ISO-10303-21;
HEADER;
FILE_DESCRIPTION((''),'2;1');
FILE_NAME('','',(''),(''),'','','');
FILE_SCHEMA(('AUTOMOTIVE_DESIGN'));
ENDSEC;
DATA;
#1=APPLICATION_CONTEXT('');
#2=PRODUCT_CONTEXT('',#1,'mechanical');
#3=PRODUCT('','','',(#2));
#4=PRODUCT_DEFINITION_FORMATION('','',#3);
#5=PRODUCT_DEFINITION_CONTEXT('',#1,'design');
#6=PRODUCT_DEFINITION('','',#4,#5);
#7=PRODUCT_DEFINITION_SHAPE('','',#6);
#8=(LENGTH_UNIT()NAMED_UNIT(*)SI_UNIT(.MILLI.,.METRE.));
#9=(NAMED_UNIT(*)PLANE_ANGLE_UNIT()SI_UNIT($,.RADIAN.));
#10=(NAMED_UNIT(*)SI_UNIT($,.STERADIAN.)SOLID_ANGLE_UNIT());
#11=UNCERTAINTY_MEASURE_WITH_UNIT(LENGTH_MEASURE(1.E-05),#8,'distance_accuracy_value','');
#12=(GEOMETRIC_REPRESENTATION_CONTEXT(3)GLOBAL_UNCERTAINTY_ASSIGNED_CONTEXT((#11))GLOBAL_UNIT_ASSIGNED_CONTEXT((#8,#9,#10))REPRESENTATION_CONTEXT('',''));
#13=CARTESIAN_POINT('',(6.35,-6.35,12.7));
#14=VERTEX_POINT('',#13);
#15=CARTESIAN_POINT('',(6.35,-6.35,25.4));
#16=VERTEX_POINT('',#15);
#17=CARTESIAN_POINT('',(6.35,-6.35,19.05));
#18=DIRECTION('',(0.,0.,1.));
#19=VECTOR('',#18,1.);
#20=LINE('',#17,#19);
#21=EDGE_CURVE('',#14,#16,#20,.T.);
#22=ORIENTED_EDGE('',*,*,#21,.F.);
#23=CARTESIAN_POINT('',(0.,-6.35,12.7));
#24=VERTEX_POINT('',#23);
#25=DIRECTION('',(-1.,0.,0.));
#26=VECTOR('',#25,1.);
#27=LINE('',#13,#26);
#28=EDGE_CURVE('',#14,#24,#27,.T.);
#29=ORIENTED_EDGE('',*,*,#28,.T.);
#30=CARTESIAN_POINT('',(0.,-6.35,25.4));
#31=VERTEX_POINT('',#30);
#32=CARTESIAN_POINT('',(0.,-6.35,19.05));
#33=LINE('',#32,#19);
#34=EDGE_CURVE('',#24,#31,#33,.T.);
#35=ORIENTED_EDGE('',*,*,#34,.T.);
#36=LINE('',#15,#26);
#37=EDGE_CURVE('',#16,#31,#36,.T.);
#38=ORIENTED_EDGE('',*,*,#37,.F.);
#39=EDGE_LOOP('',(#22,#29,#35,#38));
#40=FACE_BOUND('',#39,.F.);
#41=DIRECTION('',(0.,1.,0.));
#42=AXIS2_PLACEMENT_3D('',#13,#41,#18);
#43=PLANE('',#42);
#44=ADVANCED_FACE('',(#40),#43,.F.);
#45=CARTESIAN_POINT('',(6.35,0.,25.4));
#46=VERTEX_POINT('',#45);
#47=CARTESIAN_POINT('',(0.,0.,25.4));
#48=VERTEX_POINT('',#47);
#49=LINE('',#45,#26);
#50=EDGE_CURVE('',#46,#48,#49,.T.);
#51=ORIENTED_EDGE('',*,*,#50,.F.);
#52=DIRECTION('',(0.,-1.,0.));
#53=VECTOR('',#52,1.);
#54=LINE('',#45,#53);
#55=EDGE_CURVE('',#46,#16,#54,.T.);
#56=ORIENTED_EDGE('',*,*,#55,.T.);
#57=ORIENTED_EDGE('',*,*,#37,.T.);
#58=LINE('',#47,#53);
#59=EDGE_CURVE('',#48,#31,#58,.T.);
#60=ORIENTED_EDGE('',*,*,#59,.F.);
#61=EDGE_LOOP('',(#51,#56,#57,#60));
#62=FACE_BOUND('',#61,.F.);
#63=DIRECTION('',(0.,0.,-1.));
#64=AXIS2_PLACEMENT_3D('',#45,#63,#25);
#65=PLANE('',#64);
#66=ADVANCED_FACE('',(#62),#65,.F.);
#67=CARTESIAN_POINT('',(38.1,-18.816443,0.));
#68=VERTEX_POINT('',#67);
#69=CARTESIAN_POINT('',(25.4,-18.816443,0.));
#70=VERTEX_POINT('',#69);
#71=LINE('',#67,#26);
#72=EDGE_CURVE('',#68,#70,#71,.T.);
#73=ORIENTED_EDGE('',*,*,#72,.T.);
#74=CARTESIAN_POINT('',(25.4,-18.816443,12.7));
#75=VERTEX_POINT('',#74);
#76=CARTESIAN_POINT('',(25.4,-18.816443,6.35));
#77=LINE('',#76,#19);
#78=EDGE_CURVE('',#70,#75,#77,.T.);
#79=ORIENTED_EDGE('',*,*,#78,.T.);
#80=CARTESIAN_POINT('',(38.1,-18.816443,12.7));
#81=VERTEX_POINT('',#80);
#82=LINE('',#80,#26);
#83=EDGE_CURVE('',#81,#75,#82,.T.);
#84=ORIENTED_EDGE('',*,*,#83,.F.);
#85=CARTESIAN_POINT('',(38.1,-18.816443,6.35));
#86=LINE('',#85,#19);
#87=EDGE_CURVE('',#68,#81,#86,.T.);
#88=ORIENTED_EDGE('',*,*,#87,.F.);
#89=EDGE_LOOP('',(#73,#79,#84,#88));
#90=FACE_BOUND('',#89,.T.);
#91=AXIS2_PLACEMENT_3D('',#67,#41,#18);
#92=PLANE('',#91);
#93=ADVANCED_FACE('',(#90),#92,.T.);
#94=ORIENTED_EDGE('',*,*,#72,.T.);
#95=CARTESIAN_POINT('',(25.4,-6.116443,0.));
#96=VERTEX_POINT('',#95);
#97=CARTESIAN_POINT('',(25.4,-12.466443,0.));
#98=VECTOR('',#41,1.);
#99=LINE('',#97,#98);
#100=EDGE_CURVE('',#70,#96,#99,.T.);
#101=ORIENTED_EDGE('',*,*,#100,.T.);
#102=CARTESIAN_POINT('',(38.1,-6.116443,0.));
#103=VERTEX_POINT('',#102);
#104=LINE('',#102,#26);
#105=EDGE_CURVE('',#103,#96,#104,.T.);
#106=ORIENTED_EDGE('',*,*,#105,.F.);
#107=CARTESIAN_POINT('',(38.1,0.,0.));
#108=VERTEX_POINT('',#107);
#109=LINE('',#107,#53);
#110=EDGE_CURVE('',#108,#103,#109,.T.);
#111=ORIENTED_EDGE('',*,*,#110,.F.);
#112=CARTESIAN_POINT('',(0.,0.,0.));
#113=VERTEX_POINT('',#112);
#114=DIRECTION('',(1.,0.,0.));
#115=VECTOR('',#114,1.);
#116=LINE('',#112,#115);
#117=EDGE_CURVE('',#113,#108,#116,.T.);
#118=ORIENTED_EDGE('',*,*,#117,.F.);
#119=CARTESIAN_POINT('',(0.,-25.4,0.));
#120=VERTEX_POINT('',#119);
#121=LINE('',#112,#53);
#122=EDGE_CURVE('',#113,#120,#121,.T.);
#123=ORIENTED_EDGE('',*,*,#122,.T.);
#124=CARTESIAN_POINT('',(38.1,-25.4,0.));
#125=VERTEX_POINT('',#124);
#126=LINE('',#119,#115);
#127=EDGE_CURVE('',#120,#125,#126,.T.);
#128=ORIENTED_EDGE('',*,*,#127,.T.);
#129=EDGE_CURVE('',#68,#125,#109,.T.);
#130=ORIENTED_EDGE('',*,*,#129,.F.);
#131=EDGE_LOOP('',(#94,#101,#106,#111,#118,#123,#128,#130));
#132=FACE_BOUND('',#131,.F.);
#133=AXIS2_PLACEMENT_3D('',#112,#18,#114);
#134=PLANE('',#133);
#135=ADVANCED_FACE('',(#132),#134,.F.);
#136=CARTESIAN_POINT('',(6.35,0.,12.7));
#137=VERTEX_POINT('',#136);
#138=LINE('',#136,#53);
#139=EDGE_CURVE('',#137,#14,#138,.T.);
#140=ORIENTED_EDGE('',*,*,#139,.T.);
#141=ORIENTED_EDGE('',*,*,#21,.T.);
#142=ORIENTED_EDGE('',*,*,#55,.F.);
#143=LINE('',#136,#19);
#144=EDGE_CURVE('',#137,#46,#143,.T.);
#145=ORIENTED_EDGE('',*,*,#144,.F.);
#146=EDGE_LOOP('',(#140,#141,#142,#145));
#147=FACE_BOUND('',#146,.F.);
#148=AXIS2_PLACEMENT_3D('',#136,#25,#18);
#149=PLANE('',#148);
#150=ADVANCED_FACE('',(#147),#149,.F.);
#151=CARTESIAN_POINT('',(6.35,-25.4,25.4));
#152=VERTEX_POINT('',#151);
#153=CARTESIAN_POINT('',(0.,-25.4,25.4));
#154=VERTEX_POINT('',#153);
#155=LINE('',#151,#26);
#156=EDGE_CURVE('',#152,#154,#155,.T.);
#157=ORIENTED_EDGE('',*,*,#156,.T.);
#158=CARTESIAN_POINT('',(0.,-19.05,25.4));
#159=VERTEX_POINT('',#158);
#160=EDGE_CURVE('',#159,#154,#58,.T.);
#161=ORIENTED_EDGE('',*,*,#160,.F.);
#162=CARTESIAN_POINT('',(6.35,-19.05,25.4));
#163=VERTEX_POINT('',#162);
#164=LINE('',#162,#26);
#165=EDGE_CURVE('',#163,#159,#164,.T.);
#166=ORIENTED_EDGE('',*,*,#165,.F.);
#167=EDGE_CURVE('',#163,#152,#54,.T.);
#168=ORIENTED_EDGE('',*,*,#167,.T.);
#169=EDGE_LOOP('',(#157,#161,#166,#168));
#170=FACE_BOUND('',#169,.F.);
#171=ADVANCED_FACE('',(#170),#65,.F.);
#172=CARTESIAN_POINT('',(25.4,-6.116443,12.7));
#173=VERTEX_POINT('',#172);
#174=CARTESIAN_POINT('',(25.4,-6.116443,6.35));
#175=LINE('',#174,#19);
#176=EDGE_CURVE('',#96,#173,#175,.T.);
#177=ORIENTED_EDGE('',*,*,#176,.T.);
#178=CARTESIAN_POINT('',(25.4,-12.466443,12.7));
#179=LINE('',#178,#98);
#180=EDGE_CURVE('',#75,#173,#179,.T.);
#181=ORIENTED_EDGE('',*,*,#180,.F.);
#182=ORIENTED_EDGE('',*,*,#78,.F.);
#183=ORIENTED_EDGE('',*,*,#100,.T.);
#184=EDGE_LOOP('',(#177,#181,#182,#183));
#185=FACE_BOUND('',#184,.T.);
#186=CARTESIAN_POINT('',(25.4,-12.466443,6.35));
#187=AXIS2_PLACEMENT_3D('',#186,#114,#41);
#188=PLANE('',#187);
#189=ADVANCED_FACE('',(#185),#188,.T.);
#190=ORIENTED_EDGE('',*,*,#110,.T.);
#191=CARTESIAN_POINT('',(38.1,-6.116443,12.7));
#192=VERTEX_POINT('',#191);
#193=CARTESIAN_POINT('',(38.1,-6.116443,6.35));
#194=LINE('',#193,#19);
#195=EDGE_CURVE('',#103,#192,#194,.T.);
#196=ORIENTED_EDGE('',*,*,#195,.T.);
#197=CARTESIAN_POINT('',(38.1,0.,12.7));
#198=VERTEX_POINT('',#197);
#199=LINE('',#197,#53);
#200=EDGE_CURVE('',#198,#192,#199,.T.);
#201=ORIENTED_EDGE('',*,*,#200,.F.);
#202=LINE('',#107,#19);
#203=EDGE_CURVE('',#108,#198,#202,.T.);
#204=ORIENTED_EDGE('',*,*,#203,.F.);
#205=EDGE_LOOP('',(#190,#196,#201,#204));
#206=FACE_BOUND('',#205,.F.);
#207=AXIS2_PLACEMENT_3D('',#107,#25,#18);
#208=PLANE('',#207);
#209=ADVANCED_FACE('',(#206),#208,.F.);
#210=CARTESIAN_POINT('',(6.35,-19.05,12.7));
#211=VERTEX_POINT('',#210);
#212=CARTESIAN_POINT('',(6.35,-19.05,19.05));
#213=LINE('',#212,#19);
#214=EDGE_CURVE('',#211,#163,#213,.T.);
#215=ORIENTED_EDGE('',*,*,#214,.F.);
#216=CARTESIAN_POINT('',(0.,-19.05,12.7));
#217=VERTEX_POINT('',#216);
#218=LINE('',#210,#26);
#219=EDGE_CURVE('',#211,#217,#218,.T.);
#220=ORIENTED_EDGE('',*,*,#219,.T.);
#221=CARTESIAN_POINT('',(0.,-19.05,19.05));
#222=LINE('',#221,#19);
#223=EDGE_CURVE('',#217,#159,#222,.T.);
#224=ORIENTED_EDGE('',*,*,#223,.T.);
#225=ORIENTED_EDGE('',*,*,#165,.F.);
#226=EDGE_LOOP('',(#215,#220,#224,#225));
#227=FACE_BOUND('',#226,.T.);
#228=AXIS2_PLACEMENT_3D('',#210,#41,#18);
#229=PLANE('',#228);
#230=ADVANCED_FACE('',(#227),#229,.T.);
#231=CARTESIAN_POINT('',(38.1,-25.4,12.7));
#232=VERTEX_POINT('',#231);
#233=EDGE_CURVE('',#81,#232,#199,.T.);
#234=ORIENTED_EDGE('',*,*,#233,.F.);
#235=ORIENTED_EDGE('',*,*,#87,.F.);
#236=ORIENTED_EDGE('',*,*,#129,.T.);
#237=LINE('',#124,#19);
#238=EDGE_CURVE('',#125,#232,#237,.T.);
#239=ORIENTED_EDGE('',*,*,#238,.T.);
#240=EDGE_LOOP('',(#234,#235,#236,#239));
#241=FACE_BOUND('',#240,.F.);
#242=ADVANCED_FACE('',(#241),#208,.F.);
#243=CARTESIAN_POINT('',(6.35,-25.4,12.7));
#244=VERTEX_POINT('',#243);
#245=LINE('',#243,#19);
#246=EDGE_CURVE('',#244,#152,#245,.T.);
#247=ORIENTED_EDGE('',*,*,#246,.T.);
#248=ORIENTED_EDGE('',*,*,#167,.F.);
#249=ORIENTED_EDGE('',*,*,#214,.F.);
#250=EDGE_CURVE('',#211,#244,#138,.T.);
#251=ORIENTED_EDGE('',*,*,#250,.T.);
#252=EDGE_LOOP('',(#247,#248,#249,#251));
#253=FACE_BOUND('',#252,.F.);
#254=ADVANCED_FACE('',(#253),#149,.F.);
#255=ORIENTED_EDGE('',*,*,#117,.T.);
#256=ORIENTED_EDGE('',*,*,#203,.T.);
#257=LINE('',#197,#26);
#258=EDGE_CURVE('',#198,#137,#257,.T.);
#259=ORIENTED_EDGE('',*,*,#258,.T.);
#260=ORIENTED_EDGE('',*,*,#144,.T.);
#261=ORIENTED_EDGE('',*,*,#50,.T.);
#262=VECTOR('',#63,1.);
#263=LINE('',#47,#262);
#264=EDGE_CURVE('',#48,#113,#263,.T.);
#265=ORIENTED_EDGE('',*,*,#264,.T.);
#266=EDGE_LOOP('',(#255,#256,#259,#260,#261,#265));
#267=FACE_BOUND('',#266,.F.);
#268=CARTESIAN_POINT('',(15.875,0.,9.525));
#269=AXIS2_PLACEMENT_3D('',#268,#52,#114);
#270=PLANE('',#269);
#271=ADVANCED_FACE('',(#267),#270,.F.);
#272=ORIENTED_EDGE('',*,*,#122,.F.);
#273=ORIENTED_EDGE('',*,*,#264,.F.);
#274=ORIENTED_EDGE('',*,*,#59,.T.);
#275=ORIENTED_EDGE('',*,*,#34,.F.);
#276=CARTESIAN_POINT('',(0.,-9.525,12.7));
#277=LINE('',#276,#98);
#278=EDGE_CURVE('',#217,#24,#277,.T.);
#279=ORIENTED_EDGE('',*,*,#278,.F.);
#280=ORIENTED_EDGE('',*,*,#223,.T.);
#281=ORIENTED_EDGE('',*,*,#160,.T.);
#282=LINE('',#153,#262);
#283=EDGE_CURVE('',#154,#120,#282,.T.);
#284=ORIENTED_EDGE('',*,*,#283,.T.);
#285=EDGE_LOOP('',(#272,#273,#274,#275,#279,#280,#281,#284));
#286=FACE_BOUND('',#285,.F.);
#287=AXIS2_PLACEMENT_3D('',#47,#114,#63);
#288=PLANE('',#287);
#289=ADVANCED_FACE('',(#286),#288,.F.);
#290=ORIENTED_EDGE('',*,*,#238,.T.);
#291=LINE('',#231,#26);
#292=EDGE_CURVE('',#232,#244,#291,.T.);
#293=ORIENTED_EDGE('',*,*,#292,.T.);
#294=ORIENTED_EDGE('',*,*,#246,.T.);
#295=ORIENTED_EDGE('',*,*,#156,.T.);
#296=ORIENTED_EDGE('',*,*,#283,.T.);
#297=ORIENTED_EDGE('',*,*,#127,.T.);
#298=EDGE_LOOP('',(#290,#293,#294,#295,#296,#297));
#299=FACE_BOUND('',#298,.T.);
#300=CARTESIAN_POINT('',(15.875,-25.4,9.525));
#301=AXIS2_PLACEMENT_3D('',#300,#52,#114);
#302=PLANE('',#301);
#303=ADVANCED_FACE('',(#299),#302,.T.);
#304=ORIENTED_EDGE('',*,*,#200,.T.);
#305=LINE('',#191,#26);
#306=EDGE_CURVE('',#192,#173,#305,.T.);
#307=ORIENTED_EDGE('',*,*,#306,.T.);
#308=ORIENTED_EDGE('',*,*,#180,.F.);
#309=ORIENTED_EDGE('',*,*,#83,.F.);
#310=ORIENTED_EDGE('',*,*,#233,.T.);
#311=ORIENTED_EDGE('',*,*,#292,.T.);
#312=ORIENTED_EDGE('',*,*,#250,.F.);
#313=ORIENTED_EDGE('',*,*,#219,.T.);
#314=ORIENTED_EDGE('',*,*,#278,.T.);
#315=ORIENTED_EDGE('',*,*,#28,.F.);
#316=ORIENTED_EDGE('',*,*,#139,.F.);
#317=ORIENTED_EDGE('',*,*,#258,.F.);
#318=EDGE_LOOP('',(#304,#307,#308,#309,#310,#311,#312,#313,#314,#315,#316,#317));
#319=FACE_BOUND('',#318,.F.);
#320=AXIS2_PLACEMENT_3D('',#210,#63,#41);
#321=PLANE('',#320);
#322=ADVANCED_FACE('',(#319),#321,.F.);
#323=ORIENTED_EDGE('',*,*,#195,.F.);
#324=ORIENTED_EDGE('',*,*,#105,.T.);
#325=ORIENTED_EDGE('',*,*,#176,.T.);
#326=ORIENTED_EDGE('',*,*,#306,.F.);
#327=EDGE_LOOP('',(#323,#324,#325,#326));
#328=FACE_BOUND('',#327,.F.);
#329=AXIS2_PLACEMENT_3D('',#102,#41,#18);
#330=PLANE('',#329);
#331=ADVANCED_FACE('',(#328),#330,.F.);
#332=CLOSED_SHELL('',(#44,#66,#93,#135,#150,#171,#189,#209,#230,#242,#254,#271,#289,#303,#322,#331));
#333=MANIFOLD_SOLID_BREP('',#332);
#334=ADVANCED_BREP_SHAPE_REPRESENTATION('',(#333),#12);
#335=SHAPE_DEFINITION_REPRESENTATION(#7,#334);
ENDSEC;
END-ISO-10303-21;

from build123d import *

# Parameters (mm, degrees)
F1_DEPTH = 25.4
F2_W     = 12.7
F2_H     = 12.7
F3_DEPTH = 25.4
F4_W     = 12.7
F4_H     = 12.7
F5_DEPTH = 12.7


with BuildPart() as f1:
    # F0 (on Front) → F1 (new body)
    with BuildSketch(Plane.XZ):
        Polygon((0, 25.4), (0, 0), (38.1, 0), (38.1, 12.7), (6.35, 12.7), (6.35, 25.4), align=None)
    extrude(amount=F1_DEPTH)

    # F2 (on face) → F3 (cut)
    with BuildSketch(Plane.YZ.offset(6.35)):
        with Locations((-12.7, 19.05)):
            Rectangle(F2_W, F2_H)
    extrude(amount=-F3_DEPTH, mode=Mode.SUBTRACT)

    # F4 (on face) → F5 (cut)
    with BuildSketch(Plane.YZ.offset(38.1)):
        with Locations((-12.466443, 6.35)):
            Rectangle(F4_W, F4_H)
    extrude(amount=-F5_DEPTH, mode=Mode.SUBTRACT)


solid = f1.part
